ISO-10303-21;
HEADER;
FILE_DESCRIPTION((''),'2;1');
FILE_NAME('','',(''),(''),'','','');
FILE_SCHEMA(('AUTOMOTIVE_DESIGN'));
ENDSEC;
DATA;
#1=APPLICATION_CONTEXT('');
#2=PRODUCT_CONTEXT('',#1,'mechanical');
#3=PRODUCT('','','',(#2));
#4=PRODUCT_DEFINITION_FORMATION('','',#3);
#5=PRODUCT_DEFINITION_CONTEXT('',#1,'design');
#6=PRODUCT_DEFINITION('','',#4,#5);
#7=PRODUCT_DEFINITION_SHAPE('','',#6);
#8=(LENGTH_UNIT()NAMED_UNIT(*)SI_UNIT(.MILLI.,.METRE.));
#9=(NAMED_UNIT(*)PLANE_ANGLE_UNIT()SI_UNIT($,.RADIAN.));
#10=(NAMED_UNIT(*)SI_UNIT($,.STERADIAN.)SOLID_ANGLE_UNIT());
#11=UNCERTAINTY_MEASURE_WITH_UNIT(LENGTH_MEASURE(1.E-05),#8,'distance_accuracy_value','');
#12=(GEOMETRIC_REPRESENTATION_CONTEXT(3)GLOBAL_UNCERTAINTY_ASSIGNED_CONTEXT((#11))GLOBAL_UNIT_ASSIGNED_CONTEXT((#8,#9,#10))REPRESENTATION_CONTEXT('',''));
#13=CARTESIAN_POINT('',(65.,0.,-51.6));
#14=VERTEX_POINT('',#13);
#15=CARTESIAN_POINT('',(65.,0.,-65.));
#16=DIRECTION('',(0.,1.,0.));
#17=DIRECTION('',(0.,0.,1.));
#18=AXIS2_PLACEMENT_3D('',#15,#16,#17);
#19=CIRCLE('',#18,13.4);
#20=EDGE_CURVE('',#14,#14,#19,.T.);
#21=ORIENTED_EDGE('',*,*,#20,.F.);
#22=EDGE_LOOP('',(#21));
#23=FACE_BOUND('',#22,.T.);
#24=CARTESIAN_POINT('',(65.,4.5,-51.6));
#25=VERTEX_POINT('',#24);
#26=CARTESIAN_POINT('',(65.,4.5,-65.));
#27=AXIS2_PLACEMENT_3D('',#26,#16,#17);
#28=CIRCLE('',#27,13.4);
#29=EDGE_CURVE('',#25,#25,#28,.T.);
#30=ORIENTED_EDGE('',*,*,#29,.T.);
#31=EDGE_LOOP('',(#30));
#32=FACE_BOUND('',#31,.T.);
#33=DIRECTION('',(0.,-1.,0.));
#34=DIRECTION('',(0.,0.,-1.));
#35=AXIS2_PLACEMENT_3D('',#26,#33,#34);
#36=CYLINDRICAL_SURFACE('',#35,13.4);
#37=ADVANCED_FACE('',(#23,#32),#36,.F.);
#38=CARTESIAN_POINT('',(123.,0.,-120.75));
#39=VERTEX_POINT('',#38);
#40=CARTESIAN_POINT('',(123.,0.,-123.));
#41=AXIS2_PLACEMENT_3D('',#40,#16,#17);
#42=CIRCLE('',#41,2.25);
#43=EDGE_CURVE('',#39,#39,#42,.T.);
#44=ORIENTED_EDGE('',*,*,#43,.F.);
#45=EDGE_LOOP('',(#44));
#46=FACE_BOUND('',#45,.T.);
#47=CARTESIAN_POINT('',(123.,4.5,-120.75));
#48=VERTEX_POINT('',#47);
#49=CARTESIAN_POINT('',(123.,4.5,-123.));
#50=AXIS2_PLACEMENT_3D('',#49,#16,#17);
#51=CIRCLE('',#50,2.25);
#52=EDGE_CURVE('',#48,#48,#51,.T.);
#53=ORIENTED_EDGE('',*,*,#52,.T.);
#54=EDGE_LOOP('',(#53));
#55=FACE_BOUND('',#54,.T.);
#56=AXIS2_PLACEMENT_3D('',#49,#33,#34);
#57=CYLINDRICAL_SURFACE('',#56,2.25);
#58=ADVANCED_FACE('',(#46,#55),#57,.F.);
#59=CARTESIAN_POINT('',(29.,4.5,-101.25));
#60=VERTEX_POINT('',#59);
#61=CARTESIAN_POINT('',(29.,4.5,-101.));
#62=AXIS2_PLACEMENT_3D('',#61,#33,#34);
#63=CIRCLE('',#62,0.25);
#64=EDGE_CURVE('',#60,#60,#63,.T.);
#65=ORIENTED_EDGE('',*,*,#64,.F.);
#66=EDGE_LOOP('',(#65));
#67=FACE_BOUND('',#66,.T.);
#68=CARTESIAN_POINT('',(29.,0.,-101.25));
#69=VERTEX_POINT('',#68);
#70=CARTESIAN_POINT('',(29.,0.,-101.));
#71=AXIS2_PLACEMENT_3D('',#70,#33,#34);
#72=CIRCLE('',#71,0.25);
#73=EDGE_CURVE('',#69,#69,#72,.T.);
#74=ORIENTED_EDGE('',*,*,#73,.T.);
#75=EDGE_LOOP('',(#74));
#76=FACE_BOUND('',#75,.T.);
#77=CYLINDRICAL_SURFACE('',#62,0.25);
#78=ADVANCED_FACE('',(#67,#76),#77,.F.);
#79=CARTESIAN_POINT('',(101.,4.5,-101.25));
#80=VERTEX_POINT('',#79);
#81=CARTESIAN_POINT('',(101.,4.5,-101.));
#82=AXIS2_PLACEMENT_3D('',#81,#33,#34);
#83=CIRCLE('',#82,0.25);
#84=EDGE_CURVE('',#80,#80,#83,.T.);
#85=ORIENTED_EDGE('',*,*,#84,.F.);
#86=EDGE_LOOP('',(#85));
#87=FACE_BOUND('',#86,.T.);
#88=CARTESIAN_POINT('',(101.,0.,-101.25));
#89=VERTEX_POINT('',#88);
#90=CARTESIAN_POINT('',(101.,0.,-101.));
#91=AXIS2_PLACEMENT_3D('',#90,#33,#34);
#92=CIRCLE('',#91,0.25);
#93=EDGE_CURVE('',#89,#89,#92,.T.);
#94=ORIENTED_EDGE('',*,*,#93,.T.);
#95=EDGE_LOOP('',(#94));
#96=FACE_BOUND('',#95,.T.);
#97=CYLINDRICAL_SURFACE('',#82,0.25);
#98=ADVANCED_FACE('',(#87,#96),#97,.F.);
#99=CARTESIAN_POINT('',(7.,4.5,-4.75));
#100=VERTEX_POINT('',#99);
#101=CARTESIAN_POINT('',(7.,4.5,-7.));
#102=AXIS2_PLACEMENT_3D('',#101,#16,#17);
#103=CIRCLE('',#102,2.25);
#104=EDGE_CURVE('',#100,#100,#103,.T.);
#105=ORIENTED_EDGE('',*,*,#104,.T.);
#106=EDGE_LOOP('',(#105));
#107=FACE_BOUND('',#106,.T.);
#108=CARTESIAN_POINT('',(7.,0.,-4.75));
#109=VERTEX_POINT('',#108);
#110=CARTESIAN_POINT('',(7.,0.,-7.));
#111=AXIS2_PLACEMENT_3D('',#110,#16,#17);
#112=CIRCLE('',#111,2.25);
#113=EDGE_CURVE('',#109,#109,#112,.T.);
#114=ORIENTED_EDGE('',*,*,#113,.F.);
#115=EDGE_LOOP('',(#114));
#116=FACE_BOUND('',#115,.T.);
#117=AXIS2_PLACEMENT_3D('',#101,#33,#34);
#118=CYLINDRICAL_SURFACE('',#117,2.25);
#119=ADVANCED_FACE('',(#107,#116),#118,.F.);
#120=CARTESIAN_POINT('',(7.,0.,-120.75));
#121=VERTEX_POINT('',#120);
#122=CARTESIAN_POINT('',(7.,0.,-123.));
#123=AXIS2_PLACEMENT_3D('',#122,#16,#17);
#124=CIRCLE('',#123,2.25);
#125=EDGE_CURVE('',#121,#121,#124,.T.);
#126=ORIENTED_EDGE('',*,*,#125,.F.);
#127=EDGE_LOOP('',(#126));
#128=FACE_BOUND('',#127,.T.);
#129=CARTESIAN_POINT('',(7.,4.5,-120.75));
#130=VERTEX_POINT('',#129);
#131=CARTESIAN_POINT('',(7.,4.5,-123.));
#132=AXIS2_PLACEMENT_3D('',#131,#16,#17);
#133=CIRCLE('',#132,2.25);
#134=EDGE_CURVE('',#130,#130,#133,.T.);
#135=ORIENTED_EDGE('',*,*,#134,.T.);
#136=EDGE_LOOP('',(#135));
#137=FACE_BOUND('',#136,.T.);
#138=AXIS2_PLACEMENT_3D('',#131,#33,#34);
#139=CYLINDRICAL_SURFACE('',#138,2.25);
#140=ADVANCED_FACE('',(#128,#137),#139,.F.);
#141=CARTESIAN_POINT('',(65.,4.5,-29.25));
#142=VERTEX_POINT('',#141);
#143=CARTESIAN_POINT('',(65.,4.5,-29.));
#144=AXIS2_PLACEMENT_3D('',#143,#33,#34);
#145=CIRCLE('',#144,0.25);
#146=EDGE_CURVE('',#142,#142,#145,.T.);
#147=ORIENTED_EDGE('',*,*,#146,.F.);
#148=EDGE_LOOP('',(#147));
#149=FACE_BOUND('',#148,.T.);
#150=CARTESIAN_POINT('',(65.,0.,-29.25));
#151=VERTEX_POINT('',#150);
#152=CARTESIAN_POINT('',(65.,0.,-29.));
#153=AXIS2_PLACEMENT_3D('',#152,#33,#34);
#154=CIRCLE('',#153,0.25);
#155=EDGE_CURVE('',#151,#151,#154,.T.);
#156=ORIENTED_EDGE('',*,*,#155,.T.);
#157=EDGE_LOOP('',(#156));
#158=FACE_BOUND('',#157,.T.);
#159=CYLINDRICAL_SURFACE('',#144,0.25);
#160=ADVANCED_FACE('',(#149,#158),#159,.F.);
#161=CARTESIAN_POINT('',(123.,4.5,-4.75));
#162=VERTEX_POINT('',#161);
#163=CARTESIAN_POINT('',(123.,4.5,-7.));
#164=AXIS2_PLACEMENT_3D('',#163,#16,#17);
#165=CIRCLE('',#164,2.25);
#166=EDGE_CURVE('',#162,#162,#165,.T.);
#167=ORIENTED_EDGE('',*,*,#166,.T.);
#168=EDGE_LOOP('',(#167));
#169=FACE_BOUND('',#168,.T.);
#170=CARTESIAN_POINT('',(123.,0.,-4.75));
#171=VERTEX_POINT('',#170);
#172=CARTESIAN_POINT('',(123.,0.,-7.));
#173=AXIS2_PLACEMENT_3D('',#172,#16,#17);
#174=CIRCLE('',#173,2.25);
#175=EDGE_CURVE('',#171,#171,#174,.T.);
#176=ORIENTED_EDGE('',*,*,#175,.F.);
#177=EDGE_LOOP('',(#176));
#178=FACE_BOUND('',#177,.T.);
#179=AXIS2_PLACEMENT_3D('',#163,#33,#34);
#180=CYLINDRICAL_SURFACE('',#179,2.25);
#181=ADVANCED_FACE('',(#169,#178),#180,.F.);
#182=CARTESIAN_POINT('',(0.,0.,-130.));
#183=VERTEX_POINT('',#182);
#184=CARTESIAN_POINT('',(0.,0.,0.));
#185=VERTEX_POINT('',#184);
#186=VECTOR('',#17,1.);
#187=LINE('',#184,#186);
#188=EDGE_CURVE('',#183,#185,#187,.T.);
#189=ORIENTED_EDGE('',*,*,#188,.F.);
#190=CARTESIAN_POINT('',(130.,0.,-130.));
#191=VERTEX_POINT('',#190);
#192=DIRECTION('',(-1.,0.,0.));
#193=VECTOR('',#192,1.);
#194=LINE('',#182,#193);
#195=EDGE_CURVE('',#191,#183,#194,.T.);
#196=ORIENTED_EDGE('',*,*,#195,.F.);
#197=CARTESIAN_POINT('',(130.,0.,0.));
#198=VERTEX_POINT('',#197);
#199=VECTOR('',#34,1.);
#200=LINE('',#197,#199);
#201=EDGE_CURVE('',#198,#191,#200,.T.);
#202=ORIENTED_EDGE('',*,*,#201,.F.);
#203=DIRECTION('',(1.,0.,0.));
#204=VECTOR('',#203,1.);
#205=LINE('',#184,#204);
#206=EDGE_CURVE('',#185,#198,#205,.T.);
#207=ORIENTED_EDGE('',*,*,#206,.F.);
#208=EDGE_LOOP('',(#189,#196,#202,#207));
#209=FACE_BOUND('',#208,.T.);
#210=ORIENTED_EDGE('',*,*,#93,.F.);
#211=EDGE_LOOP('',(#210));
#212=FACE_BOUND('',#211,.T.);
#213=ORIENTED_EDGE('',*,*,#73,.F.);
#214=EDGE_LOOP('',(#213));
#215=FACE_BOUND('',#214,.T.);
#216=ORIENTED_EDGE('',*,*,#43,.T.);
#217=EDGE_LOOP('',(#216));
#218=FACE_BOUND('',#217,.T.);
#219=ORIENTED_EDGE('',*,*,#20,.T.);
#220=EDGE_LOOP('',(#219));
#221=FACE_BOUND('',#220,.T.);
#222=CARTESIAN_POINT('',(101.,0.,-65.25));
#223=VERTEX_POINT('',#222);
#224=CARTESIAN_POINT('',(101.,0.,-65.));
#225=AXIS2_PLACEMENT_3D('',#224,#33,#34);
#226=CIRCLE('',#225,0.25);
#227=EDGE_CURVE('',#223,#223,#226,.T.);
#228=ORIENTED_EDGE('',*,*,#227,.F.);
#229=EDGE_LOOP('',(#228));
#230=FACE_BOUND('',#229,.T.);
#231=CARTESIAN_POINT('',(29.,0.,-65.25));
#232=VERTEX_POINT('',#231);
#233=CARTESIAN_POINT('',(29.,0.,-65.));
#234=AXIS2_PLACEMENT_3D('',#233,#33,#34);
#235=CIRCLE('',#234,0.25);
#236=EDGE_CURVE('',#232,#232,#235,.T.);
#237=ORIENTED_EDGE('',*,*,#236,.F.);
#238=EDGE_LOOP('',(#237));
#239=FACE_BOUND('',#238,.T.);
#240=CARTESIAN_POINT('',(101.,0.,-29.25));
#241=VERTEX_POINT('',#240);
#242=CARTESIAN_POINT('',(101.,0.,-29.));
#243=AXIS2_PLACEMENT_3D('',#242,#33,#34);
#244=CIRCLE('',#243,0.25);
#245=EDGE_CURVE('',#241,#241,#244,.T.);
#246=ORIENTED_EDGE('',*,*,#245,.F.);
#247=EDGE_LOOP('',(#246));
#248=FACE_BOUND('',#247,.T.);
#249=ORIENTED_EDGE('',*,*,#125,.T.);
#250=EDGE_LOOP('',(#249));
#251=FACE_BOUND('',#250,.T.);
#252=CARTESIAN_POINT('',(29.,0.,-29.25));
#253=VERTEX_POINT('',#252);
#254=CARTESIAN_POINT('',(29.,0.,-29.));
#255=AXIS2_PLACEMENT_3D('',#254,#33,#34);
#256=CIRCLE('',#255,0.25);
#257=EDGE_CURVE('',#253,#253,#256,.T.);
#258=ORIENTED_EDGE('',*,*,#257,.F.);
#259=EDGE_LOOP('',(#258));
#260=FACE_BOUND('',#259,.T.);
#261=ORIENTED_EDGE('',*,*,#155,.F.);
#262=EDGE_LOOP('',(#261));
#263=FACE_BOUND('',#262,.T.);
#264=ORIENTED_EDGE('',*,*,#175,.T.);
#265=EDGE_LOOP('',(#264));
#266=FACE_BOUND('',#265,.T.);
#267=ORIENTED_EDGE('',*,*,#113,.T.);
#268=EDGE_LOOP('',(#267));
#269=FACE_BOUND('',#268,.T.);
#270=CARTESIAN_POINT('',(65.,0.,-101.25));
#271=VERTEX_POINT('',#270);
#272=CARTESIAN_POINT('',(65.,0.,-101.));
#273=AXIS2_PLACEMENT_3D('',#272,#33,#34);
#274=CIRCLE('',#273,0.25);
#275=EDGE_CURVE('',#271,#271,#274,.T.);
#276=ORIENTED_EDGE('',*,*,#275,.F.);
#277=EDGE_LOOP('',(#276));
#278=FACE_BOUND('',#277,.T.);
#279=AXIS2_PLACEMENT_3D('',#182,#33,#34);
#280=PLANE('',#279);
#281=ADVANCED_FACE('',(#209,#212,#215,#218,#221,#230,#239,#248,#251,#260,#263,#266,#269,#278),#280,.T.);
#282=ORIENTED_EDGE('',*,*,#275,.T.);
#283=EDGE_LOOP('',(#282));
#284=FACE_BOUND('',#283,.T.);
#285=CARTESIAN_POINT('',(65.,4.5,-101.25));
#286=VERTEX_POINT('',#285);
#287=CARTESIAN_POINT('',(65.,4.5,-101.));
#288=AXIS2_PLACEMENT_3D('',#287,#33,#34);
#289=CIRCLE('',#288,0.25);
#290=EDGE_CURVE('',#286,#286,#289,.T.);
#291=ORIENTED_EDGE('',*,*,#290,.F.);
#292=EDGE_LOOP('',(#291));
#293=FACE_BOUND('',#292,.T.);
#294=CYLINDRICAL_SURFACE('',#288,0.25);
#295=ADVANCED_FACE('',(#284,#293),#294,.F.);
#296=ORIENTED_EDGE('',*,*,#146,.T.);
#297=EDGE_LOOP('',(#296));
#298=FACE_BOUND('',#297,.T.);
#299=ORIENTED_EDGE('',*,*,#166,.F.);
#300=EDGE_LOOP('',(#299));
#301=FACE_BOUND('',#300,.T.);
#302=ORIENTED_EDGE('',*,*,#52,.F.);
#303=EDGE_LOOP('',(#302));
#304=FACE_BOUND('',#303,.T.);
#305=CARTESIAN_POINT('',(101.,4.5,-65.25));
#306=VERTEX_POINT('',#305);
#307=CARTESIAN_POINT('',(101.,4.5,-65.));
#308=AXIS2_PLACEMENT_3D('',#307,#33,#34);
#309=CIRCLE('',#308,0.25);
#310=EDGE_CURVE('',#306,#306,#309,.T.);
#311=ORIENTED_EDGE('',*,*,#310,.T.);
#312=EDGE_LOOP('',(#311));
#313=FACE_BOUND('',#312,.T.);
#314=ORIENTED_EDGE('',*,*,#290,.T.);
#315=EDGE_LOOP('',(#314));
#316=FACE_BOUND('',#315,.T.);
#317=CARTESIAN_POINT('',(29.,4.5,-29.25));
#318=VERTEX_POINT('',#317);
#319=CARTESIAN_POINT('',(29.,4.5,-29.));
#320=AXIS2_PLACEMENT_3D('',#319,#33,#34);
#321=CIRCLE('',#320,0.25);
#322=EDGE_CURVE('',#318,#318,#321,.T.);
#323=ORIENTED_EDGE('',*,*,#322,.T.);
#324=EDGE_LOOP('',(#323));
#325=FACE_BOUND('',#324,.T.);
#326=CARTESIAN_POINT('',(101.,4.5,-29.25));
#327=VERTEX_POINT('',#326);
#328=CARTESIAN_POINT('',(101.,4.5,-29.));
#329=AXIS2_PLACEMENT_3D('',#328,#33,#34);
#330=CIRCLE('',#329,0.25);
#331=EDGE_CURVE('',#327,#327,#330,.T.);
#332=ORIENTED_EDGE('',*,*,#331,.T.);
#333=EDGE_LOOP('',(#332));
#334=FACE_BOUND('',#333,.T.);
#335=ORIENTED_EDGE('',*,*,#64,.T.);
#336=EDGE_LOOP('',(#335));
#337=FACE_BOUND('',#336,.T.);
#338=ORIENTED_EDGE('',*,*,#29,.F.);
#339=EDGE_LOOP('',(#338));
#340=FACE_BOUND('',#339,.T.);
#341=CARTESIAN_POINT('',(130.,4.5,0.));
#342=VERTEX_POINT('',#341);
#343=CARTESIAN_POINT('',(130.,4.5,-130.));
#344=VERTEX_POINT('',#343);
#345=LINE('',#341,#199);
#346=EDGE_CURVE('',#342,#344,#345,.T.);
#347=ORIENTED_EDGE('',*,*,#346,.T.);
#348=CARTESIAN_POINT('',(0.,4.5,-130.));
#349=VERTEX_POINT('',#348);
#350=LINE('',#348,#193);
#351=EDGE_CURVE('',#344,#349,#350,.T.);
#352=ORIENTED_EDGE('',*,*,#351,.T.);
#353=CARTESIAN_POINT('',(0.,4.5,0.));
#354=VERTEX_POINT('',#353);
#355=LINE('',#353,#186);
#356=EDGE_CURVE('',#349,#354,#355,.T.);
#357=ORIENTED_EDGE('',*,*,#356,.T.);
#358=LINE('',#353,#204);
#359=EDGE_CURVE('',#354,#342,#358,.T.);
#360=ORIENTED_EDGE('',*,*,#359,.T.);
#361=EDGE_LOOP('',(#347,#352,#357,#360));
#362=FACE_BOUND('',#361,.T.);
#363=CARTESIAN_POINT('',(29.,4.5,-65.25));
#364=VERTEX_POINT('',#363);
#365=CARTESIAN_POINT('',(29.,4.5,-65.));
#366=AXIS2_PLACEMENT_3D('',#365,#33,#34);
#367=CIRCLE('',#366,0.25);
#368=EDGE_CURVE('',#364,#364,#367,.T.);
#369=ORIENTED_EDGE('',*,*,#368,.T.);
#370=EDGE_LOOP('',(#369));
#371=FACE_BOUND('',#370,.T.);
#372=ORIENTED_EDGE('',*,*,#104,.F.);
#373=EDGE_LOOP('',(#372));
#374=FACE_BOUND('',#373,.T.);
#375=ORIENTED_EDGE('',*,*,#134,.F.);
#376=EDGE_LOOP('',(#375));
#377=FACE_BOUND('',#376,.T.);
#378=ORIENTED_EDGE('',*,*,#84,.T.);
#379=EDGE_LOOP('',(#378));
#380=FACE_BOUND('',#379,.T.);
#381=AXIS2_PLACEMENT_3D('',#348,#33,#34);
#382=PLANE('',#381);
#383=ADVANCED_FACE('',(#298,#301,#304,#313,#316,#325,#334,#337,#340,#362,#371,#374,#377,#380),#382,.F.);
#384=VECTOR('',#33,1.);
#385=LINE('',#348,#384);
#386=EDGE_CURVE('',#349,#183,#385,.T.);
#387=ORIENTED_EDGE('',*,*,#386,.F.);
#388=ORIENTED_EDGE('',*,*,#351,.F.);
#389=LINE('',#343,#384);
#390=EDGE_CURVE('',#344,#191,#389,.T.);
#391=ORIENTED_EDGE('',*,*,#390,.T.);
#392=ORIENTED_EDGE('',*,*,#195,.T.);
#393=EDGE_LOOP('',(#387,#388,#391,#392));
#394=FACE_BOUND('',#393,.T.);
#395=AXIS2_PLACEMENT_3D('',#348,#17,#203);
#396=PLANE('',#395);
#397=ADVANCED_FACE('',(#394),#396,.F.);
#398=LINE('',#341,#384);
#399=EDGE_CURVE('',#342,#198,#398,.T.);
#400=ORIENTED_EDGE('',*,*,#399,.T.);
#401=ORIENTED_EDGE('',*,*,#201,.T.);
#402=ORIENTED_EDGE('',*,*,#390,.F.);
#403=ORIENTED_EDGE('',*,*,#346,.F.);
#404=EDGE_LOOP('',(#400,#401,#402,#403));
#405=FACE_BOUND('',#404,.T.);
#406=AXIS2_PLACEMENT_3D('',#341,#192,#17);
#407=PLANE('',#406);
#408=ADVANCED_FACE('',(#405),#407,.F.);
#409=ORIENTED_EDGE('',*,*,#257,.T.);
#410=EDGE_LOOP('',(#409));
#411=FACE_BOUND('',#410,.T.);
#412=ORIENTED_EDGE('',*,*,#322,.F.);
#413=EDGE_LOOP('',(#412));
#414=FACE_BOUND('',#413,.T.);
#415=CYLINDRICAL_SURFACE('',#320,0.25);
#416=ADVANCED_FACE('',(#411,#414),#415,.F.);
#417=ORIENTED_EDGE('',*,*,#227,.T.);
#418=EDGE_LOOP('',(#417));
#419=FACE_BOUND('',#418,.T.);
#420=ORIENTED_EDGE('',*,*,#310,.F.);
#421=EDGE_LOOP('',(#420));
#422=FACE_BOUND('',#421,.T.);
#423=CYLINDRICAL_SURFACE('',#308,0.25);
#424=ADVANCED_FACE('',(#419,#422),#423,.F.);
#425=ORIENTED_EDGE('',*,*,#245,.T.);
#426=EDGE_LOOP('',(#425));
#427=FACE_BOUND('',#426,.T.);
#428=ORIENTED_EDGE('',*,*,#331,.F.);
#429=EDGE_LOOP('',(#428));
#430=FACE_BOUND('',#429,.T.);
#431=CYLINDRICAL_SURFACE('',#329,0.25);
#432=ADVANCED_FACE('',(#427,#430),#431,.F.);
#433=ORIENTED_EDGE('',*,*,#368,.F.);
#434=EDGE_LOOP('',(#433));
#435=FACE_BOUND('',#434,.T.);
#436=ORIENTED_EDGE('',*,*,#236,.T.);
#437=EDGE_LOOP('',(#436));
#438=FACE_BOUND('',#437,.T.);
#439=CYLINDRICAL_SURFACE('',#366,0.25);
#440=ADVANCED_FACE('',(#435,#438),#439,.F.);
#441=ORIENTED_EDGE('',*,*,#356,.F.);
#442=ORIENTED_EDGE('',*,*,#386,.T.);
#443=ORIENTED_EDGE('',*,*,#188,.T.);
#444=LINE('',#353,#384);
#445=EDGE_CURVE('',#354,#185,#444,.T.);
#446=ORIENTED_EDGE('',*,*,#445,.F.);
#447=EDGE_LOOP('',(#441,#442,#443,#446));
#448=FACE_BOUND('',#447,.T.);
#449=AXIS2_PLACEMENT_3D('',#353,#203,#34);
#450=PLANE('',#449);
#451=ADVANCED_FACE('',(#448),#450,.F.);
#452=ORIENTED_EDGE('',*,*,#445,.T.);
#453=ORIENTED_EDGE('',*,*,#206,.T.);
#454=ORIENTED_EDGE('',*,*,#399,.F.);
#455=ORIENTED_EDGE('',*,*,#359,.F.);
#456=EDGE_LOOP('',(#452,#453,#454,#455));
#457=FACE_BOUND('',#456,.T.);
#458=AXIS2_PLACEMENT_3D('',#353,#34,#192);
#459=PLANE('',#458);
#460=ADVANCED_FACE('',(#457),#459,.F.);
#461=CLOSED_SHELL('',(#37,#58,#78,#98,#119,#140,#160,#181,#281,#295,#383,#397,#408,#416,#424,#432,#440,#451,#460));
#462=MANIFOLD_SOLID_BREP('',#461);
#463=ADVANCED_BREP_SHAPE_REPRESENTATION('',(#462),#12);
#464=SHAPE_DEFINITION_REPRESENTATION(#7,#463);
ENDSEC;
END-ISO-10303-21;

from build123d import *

# Parameters (mm, degrees)
SKETCH1_W           = 130
SKETCH1_H           = 130
SKETCH1_R           = 13.4
SKETCH1_R_2         = 2.25
BOSS_EXTRUDE1_DEPTH = 4.5
SKETCH2_R           = 0.25
CUT_EXTRUDE1_DEPTH  = 5.5


with BuildPart() as part:
    # Sketch1 → Boss-Extrude1 (new body)
    with BuildSketch(Plane(origin=(0, 0, 0), x_dir=(1, 0, 0), z_dir=(0, 1, 0))):
        with Locations((65, 65)):
            Rectangle(SKETCH1_W, SKETCH1_H)
        with Locations((65, 65)):
            Circle(SKETCH1_R, mode=Mode.SUBTRACT)
        with Locations((123, 123)):
            Circle(SKETCH1_R_2, mode=Mode.SUBTRACT)
        with Locations((123, 7)):
            Circle(SKETCH1_R_2, mode=Mode.SUBTRACT)
        with Locations((7, 7)):
            Circle(SKETCH1_R_2, mode=Mode.SUBTRACT)
        with Locations((7, 123)):
            Circle(SKETCH1_R_2, mode=Mode.SUBTRACT)
    extrude(amount=BOSS_EXTRUDE1_DEPTH)

    # Sketch2 → Cut-Extrude1 (cut, through all)
    with BuildSketch(Plane.XZ):
        with Locations((29, -65)):
            Circle(SKETCH2_R)
        with Locations((65, -29)):
            Circle(SKETCH2_R)
        with Locations((101, -65)):
            Circle(SKETCH2_R)
        with Locations((65, -101)):
            Circle(SKETCH2_R)
        with Locations((101, -29)):
            Circle(SKETCH2_R)
        with Locations((29, -29)):
            Circle(SKETCH2_R)
        with Locations((101, -101)):
            Circle(SKETCH2_R)
        with Locations((29, -101)):
            Circle(SKETCH2_R)
    extrude(amount=-CUT_EXTRUDE1_DEPTH, mode=Mode.SUBTRACT)


solid = part.part
